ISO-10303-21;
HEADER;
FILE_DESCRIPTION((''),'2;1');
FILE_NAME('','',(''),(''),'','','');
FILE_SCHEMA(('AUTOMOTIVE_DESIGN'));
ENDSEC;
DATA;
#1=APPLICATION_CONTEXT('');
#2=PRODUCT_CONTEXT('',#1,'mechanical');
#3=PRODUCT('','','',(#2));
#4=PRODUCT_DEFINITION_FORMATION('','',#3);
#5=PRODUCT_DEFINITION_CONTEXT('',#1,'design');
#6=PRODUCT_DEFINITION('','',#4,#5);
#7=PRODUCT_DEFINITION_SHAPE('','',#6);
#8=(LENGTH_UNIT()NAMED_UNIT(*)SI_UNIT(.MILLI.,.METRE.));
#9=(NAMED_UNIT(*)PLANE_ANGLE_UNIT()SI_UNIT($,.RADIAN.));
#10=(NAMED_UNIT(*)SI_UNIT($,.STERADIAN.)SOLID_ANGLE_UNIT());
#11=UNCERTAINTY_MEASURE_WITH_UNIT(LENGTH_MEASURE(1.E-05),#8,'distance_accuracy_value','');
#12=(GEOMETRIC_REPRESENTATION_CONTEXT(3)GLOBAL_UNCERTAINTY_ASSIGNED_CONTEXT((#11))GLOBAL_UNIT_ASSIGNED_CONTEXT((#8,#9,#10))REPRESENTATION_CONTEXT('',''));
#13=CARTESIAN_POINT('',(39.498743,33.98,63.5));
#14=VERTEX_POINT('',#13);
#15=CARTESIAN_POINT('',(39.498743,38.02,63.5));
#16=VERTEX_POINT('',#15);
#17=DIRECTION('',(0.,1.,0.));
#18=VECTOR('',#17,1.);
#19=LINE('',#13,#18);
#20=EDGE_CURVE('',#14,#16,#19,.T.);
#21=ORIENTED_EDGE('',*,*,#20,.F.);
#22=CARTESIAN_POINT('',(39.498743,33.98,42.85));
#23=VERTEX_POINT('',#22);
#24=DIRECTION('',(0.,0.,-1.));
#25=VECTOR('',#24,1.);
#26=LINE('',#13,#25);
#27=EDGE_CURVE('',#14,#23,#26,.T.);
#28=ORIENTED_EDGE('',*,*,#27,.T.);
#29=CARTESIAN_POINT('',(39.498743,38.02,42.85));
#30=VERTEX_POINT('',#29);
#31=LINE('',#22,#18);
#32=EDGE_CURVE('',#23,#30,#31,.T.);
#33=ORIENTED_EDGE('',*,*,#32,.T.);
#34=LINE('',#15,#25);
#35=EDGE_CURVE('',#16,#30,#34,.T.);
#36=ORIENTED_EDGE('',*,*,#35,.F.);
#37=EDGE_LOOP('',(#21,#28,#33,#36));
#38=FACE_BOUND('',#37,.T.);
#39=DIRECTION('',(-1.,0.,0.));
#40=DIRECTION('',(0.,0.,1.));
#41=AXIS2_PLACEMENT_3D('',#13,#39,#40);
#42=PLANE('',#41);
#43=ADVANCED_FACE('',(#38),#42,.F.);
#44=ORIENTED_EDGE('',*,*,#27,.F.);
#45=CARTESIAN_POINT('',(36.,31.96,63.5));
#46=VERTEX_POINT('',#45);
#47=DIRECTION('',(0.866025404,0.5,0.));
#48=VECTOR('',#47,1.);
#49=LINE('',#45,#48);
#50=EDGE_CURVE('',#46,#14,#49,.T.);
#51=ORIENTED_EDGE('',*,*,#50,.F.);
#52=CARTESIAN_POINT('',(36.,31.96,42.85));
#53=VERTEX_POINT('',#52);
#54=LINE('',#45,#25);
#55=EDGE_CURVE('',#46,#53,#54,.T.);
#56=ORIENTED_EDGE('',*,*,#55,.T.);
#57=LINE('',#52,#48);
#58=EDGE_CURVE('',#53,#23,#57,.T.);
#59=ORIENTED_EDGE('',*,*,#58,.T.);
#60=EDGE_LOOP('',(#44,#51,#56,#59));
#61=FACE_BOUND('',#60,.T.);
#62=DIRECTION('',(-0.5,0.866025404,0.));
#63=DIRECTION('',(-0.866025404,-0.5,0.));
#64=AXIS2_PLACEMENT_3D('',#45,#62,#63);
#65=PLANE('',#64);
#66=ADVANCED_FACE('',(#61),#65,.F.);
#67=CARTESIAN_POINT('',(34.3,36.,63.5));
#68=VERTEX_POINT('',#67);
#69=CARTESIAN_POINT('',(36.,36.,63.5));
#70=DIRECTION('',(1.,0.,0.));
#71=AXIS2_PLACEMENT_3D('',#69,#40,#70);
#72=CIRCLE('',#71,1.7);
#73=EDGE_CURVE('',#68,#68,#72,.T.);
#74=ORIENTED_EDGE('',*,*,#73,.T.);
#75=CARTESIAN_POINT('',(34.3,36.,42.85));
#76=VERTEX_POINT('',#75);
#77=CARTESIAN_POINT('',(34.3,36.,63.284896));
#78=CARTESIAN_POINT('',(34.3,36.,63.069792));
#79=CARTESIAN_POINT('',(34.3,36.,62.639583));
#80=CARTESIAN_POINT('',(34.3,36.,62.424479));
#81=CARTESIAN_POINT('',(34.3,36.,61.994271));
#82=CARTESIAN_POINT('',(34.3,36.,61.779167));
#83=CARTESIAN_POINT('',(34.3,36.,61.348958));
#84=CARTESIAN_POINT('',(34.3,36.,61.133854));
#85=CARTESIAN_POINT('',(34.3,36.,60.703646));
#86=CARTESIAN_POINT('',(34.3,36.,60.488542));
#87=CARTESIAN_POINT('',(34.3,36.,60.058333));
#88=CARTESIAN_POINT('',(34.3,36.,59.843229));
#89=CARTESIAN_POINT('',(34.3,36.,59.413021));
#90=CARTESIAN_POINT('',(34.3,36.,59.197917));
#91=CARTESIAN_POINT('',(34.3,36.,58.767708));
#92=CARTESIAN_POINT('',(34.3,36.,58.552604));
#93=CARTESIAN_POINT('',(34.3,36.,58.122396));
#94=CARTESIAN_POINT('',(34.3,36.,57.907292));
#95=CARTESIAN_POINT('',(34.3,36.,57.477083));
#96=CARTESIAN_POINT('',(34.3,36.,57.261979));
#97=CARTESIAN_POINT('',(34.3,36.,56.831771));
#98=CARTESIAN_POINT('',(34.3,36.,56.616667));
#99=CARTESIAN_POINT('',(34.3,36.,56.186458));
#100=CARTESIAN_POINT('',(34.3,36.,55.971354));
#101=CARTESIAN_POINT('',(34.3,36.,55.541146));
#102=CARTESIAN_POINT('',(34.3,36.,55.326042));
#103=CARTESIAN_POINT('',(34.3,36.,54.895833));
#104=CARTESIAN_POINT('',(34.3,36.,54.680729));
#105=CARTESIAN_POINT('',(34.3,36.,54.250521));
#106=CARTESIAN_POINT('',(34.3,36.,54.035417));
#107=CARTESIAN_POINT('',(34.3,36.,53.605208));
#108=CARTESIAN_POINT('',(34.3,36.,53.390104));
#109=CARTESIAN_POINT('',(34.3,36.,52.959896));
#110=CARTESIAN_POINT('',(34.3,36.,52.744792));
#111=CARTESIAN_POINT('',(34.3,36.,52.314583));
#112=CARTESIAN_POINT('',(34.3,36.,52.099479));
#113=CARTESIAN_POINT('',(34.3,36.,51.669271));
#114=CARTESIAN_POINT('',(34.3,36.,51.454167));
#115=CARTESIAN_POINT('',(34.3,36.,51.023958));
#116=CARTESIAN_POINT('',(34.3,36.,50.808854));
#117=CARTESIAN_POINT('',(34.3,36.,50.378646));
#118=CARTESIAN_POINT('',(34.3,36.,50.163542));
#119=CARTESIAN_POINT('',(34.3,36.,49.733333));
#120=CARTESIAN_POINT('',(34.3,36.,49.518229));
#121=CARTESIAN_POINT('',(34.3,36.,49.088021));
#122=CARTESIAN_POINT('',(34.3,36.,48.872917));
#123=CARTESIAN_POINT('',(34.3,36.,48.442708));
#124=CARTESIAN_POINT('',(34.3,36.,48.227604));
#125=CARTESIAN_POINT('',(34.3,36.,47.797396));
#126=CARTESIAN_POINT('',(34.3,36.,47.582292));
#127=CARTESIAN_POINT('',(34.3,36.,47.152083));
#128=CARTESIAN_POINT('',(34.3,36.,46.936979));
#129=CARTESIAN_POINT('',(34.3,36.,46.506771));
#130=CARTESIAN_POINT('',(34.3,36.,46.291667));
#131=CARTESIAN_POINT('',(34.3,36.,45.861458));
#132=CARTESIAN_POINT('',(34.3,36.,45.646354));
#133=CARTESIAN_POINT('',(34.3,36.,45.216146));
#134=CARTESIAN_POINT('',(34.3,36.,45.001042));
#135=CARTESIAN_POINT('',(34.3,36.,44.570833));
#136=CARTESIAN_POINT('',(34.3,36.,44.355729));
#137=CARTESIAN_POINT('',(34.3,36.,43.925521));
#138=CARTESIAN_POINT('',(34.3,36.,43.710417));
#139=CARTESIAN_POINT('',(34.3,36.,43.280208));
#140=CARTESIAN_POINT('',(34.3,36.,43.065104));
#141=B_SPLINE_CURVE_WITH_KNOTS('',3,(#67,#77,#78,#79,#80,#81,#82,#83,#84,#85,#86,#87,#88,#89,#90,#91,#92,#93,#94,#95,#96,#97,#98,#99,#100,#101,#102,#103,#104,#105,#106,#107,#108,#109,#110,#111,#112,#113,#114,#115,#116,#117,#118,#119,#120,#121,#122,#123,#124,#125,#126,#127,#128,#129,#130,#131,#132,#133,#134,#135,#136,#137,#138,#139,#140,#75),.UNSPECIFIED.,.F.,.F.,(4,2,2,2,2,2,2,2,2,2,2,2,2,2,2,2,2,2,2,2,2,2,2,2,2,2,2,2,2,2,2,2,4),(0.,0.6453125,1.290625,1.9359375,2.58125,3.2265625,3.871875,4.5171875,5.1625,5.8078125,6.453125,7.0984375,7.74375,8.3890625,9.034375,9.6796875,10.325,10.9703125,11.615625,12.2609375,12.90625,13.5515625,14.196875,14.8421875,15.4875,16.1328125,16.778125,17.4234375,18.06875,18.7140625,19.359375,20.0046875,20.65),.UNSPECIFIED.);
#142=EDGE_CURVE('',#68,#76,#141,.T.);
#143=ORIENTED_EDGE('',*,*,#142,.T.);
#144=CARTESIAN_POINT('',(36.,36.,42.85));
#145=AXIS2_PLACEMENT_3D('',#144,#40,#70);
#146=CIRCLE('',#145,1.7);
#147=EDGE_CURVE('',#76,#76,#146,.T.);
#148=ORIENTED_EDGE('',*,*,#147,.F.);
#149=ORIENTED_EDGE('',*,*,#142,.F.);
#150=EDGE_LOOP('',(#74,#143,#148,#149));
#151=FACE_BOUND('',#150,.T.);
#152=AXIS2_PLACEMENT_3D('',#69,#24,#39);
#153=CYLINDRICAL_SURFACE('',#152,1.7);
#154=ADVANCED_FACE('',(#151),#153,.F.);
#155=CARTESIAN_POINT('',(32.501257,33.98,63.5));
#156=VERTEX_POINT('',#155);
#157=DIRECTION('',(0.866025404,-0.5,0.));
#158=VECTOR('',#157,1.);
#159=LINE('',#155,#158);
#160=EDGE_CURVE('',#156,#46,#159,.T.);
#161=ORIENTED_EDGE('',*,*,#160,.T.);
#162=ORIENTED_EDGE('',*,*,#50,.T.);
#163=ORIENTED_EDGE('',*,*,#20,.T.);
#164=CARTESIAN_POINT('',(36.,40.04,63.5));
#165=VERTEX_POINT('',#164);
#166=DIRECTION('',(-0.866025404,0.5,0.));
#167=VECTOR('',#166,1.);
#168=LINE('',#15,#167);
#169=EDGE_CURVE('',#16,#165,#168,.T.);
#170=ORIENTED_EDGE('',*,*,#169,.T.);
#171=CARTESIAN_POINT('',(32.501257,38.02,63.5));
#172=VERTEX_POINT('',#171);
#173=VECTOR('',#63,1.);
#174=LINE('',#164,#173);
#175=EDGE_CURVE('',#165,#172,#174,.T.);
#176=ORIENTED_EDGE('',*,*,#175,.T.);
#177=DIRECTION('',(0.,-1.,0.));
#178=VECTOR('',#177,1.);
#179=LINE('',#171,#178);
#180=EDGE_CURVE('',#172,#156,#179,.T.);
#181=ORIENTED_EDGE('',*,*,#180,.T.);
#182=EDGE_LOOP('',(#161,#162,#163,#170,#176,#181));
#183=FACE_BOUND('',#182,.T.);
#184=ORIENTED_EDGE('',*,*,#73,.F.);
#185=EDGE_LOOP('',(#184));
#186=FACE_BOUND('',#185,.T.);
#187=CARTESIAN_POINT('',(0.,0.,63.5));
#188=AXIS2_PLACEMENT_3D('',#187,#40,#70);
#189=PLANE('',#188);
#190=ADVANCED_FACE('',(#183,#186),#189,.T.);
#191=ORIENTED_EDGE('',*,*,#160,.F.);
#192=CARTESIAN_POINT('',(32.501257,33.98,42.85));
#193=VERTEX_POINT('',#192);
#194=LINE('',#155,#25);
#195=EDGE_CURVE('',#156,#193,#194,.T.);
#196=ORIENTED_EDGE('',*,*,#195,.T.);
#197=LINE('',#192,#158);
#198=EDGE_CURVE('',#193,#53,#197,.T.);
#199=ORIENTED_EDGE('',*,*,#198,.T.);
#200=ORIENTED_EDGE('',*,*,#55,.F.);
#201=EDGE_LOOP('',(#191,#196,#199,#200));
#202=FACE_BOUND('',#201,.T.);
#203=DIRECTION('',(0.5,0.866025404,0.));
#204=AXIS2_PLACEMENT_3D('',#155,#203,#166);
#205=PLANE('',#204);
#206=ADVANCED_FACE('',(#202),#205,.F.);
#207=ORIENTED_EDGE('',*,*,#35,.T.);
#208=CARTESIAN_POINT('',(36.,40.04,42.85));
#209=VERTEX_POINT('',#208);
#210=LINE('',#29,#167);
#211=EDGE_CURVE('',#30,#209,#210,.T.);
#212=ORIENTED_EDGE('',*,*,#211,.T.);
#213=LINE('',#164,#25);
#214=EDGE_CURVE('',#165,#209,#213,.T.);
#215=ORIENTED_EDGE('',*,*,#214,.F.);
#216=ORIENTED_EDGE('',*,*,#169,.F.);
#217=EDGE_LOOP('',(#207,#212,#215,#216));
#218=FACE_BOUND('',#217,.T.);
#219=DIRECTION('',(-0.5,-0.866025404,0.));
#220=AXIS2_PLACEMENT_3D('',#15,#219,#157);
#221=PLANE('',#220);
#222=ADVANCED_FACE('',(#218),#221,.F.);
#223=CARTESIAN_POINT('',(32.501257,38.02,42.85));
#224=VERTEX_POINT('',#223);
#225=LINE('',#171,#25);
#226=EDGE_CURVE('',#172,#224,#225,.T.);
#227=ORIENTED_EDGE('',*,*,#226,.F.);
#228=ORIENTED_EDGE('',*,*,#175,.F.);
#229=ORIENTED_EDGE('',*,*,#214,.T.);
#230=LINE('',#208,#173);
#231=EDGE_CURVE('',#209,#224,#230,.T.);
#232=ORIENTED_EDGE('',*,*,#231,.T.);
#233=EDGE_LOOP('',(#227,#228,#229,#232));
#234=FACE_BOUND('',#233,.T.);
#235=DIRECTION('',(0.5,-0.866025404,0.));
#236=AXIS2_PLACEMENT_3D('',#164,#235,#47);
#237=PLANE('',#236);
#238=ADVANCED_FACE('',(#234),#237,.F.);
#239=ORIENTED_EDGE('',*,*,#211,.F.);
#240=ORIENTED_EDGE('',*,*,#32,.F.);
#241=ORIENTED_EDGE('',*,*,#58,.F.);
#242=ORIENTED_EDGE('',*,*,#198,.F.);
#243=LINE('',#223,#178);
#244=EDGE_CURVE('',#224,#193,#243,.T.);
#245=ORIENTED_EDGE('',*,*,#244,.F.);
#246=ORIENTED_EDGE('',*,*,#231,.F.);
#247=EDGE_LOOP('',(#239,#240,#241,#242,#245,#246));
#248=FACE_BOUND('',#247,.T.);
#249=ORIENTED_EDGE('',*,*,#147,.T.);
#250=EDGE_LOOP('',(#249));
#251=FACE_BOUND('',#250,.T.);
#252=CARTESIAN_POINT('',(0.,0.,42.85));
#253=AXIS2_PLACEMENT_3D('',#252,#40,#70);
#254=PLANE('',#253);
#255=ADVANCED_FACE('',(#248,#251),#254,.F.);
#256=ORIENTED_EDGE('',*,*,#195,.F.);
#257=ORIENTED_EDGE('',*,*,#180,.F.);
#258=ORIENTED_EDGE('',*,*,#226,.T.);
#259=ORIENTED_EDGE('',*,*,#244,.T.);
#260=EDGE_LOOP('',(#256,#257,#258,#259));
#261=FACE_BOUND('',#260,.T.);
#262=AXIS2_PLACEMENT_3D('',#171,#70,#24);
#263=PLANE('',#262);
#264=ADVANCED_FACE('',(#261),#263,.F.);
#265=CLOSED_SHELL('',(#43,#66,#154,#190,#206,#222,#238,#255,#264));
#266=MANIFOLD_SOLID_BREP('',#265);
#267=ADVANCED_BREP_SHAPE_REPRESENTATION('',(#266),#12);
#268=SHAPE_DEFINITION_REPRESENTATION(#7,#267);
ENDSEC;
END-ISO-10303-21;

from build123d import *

# Parameters (mm, degrees)
HEX_7_START    = 42.85
HEX_7_DEPTH    = 20.65
ROSCA_M4_START = 42.85
CROQUIS2_R     = 1.7
ROSCA_M4_DEPTH = 20.65


with BuildPart() as part:
    # Croquis1 → Hex_7 (new body)
    with BuildSketch(Plane.XY.offset(HEX_7_START)):
        Polygon((39.498742631, 38.02), (36, 40.04), (32.501257369, 38.02), (32.501257369, 33.98), (36, 31.96), (39.498742631, 33.98), align=None)
    extrude(amount=HEX_7_DEPTH)

    # Croquis2 → Rosca_M4 (cut)
    with BuildSketch(Plane.XY.offset(ROSCA_M4_START)):
        with Locations(Location((36, 36, 0), (0, 0, 180))):
            Circle(CROQUIS2_R)
    extrude(amount=ROSCA_M4_DEPTH, mode=Mode.SUBTRACT)


solid = part.part
